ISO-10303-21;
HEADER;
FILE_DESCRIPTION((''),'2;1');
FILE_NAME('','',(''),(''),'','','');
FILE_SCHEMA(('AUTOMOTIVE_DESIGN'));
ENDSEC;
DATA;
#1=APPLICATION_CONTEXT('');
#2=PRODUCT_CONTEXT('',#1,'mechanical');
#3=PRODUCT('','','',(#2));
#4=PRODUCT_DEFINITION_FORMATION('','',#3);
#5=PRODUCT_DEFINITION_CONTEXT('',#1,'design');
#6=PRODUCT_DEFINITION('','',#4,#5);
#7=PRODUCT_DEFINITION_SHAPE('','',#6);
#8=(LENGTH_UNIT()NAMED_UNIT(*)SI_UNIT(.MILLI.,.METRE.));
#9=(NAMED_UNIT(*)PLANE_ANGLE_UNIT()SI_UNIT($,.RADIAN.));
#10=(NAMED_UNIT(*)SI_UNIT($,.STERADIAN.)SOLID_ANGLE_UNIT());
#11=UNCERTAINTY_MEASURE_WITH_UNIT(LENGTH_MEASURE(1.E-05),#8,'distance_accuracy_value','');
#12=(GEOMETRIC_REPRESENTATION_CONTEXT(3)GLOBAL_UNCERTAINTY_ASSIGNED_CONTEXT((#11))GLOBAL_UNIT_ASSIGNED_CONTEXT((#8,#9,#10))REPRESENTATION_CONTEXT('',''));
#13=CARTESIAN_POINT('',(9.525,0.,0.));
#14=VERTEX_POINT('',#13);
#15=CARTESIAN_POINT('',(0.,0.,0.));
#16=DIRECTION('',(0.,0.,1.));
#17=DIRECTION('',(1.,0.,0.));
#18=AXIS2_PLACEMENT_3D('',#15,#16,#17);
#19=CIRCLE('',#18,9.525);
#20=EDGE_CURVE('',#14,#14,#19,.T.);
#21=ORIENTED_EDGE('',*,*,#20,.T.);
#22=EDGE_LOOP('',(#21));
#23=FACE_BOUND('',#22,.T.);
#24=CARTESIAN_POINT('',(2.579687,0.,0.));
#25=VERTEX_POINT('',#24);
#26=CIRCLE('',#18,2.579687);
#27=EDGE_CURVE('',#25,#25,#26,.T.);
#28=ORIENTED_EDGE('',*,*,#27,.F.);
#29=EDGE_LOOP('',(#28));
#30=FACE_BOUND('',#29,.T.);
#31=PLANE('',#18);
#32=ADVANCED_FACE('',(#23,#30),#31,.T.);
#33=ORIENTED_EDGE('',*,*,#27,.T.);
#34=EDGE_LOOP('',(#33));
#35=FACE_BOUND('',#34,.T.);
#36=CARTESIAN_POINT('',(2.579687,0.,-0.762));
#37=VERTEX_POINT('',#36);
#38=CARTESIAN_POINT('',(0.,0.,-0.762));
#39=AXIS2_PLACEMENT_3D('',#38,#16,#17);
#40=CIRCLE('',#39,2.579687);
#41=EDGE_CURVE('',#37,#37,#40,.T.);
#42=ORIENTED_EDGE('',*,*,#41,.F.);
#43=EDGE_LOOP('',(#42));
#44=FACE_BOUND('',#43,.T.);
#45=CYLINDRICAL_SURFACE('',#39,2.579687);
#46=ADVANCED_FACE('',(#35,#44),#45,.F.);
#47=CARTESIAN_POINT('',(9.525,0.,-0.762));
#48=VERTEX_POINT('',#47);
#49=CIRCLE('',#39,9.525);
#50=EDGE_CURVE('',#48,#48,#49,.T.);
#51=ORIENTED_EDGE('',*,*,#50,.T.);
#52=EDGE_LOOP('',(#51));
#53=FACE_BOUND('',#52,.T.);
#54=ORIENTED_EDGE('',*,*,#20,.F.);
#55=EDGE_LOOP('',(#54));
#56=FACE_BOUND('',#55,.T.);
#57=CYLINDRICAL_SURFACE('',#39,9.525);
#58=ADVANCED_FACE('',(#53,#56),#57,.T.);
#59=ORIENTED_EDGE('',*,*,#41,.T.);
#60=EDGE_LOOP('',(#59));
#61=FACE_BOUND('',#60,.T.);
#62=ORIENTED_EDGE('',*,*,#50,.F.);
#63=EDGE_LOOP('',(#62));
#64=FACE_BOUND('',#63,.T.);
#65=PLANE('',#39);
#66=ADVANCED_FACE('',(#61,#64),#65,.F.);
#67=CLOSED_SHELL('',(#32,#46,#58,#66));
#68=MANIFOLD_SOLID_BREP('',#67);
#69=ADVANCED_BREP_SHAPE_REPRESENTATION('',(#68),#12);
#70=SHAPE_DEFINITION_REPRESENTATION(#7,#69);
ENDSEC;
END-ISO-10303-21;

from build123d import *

# Parameters (mm, degrees)
SKETCH1_R      = 9.525
SKETCH1_R_2    = 2.5796875
EXTRUDE1_DEPTH = 0.762


with BuildPart() as part:
    # Sketch1 → Extrude1 (new body)
    with BuildSketch(Plane.XY):
        Circle(SKETCH1_R)
        Circle(SKETCH1_R_2, mode=Mode.SUBTRACT)
    extrude(amount=-EXTRUDE1_DEPTH)


solid = part.part
